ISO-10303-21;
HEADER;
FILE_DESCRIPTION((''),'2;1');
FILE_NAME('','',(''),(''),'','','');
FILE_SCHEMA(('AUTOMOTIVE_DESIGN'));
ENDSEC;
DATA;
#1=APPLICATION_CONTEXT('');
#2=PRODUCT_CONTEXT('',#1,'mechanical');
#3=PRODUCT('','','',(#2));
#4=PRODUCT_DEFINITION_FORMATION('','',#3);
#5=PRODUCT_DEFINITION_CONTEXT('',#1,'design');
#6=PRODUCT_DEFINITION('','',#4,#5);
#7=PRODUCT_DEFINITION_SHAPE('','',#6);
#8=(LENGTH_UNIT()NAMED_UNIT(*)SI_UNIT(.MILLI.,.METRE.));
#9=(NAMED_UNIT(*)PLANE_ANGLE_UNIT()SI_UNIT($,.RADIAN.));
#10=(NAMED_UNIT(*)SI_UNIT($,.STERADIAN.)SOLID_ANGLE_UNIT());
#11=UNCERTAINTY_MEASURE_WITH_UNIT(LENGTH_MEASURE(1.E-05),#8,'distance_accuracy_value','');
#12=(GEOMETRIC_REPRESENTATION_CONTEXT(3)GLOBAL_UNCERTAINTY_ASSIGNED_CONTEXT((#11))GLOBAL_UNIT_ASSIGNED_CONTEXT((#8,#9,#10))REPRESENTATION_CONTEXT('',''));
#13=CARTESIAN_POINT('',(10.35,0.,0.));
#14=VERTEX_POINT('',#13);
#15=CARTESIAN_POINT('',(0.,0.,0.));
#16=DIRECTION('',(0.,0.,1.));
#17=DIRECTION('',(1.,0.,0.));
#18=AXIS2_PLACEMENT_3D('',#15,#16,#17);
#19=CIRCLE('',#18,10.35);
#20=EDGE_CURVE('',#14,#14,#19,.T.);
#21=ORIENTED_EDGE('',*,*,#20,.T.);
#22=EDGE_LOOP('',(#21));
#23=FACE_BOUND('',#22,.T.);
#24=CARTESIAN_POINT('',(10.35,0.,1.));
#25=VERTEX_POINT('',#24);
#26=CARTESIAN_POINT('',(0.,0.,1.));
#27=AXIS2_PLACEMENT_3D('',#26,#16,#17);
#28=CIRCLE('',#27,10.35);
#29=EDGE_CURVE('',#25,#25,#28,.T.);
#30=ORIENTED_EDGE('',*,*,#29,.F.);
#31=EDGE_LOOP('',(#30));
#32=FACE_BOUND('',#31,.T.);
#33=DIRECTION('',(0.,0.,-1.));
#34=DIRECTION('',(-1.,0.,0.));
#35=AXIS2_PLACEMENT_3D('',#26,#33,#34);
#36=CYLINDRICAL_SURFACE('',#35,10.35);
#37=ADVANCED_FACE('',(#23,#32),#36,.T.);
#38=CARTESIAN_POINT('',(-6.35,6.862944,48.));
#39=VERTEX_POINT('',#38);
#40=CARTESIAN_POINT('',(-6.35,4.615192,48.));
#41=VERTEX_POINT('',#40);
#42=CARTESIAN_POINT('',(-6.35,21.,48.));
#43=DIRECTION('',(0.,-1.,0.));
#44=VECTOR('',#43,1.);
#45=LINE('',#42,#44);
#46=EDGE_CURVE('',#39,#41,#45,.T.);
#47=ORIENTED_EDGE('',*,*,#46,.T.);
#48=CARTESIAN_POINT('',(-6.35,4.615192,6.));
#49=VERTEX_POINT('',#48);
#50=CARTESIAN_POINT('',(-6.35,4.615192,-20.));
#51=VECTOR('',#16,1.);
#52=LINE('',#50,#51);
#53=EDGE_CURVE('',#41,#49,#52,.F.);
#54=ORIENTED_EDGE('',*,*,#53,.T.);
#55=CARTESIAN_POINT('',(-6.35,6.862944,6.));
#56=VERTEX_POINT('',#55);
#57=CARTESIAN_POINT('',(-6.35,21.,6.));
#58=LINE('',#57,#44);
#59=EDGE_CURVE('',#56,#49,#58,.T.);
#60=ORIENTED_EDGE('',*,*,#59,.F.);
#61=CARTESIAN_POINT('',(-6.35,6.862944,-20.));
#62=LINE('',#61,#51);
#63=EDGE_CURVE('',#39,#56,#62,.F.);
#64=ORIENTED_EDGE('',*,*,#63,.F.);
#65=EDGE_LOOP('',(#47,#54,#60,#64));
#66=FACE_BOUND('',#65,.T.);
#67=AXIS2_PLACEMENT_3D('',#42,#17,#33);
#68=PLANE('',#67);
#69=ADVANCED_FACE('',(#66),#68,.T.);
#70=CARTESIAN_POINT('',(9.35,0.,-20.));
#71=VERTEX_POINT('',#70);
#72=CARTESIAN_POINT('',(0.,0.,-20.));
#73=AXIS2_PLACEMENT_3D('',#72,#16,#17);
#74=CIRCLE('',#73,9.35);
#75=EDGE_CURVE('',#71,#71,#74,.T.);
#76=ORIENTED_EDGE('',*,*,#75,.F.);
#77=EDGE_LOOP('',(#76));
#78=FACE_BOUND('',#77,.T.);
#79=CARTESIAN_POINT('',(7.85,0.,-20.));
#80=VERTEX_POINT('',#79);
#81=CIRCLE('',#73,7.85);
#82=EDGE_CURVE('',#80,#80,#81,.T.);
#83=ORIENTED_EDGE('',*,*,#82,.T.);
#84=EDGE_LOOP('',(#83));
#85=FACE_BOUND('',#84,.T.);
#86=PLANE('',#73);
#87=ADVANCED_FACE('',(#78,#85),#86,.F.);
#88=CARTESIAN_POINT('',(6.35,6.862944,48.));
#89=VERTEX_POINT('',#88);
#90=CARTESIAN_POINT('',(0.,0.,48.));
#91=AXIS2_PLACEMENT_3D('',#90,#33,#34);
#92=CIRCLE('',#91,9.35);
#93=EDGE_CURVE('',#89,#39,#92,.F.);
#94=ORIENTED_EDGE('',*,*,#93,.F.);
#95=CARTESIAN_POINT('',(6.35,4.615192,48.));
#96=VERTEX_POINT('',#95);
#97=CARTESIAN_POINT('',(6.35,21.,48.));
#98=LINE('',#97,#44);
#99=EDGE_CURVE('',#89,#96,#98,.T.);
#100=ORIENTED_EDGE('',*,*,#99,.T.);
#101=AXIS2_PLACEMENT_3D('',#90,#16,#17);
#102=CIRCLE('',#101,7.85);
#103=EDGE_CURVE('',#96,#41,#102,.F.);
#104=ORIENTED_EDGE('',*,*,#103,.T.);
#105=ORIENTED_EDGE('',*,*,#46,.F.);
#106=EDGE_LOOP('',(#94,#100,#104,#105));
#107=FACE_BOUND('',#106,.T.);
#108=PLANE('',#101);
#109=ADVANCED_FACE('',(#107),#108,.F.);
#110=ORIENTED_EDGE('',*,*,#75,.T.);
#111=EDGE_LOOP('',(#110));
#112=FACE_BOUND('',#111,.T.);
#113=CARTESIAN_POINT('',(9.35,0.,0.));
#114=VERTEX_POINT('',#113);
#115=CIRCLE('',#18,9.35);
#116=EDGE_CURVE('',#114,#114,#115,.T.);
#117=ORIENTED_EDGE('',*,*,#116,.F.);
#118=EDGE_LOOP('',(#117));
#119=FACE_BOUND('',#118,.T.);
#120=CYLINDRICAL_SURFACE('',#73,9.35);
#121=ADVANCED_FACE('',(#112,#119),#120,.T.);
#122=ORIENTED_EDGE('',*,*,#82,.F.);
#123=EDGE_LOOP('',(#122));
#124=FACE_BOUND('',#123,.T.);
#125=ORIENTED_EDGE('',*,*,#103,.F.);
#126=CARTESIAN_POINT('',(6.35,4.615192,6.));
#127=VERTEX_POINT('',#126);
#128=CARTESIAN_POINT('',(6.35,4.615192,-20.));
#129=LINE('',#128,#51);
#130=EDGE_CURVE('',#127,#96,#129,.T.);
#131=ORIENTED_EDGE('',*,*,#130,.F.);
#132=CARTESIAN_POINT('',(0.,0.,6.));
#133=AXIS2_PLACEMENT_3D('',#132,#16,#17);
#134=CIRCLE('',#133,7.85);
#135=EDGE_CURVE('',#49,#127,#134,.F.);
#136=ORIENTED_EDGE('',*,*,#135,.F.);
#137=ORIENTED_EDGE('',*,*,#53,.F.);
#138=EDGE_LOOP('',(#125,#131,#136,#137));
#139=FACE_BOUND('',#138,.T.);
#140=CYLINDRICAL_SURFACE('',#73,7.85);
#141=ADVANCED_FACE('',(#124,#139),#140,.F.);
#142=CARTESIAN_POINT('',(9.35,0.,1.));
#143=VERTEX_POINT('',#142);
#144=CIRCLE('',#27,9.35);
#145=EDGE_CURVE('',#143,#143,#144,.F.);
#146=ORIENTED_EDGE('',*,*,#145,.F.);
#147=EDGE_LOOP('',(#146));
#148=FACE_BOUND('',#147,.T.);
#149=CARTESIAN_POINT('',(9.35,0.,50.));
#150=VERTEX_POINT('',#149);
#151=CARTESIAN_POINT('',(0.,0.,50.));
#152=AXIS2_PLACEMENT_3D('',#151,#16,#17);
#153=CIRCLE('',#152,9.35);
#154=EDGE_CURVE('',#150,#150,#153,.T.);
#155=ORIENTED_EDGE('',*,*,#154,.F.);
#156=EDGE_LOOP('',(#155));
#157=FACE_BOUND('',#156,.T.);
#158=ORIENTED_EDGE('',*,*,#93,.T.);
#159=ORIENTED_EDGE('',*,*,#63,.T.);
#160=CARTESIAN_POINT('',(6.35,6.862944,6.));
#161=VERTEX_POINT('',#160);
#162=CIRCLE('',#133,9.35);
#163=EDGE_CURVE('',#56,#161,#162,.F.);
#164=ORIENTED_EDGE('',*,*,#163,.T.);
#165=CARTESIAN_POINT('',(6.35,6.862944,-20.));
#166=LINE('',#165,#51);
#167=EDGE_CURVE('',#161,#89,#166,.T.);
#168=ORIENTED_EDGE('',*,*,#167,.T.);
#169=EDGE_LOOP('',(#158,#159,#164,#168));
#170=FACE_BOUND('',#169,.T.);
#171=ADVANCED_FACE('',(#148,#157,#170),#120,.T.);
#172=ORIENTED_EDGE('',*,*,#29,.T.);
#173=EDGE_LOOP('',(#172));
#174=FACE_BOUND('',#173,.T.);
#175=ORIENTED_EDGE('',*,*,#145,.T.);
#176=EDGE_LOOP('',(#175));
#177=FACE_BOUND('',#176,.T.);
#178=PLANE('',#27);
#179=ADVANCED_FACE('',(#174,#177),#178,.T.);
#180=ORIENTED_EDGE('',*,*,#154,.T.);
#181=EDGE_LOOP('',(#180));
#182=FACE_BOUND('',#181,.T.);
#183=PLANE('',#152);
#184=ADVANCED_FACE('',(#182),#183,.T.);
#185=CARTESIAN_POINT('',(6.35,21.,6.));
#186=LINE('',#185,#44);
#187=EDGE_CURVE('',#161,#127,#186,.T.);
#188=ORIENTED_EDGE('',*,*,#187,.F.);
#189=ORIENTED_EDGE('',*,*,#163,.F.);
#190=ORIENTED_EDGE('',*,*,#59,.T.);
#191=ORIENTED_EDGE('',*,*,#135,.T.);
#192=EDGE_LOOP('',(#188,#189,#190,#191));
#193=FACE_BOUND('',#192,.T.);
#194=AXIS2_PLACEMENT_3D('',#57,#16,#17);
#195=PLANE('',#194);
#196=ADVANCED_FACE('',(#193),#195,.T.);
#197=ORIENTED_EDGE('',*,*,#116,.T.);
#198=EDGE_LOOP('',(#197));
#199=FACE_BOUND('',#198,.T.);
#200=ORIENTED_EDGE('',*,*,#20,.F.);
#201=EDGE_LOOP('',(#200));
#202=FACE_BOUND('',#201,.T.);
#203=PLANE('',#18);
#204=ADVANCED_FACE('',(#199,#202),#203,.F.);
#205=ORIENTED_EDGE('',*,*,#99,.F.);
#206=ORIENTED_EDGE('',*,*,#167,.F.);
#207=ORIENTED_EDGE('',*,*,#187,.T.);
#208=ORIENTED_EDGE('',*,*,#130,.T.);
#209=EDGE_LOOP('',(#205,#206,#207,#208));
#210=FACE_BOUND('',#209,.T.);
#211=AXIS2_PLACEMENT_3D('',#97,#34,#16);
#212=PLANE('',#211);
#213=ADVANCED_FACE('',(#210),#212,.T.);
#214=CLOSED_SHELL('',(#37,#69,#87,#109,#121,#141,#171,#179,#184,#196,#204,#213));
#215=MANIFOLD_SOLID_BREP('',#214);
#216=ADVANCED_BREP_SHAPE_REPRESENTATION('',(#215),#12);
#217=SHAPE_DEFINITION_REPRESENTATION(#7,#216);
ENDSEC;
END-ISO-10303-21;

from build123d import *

# Parameters (mm, degrees)
RESSALTO_EXTRUS_O1_DEPTH      = 50
RESSALTO_EXTRUS_O1_DEPTH_BACK = 20
ESBO_O1_R                     = 9.35
ESBO_O1_R_2                   = 7.85
ESBO_O2_R                     = 10.35
ESBO_O2_R_2                   = 9.35
RESSALTO_EXTRUS_O2_DEPTH      = 1
RESSALTO_EXTRUS_O3_START      = -2
ESBO_O3_R                     = 7.85
RESSALTO_EXTRUS_O3_DEPTH      = 2
ESBO_O4_W                     = 12.7
ESBO_O4_H                     = 42
CORTE_EXTRUS_O1_DEPTH         = 21


with BuildPart() as part:
    # Esboço1 → Ressalto-extrusão1 (new, two sides: drawn at the far end of the back side and taken through both)
    with BuildSketch(Plane.XY.offset(-RESSALTO_EXTRUS_O1_DEPTH_BACK)):
        Circle(ESBO_O1_R)
        Circle(ESBO_O1_R_2, mode=Mode.SUBTRACT)
    extrude(amount=RESSALTO_EXTRUS_O1_DEPTH + RESSALTO_EXTRUS_O1_DEPTH_BACK)

    # Esboço2 → Ressalto-extrusão2 (add)
    with BuildSketch(Plane.XY):
        Circle(ESBO_O2_R)
        Circle(ESBO_O2_R_2, mode=Mode.SUBTRACT)
    extrude(amount=RESSALTO_EXTRUS_O2_DEPTH)

    # Esboço3 → Ressalto-extrusão3 (add)
    with BuildSketch(Plane.XY.offset(50).offset(RESSALTO_EXTRUS_O3_START)):
        Circle(ESBO_O3_R)
    extrude(amount=RESSALTO_EXTRUS_O3_DEPTH)

    # Esboço4 → Corte-extrusão1 (cut)
    with BuildSketch(Plane(origin=(0, 0, 0), x_dir=(1, 0, 0), z_dir=(0, 1, 0))):
        with Locations((0, -27)):
            Rectangle(ESBO_O4_W, ESBO_O4_H)
    extrude(amount=CORTE_EXTRUS_O1_DEPTH, mode=Mode.SUBTRACT)


solid = part.part
